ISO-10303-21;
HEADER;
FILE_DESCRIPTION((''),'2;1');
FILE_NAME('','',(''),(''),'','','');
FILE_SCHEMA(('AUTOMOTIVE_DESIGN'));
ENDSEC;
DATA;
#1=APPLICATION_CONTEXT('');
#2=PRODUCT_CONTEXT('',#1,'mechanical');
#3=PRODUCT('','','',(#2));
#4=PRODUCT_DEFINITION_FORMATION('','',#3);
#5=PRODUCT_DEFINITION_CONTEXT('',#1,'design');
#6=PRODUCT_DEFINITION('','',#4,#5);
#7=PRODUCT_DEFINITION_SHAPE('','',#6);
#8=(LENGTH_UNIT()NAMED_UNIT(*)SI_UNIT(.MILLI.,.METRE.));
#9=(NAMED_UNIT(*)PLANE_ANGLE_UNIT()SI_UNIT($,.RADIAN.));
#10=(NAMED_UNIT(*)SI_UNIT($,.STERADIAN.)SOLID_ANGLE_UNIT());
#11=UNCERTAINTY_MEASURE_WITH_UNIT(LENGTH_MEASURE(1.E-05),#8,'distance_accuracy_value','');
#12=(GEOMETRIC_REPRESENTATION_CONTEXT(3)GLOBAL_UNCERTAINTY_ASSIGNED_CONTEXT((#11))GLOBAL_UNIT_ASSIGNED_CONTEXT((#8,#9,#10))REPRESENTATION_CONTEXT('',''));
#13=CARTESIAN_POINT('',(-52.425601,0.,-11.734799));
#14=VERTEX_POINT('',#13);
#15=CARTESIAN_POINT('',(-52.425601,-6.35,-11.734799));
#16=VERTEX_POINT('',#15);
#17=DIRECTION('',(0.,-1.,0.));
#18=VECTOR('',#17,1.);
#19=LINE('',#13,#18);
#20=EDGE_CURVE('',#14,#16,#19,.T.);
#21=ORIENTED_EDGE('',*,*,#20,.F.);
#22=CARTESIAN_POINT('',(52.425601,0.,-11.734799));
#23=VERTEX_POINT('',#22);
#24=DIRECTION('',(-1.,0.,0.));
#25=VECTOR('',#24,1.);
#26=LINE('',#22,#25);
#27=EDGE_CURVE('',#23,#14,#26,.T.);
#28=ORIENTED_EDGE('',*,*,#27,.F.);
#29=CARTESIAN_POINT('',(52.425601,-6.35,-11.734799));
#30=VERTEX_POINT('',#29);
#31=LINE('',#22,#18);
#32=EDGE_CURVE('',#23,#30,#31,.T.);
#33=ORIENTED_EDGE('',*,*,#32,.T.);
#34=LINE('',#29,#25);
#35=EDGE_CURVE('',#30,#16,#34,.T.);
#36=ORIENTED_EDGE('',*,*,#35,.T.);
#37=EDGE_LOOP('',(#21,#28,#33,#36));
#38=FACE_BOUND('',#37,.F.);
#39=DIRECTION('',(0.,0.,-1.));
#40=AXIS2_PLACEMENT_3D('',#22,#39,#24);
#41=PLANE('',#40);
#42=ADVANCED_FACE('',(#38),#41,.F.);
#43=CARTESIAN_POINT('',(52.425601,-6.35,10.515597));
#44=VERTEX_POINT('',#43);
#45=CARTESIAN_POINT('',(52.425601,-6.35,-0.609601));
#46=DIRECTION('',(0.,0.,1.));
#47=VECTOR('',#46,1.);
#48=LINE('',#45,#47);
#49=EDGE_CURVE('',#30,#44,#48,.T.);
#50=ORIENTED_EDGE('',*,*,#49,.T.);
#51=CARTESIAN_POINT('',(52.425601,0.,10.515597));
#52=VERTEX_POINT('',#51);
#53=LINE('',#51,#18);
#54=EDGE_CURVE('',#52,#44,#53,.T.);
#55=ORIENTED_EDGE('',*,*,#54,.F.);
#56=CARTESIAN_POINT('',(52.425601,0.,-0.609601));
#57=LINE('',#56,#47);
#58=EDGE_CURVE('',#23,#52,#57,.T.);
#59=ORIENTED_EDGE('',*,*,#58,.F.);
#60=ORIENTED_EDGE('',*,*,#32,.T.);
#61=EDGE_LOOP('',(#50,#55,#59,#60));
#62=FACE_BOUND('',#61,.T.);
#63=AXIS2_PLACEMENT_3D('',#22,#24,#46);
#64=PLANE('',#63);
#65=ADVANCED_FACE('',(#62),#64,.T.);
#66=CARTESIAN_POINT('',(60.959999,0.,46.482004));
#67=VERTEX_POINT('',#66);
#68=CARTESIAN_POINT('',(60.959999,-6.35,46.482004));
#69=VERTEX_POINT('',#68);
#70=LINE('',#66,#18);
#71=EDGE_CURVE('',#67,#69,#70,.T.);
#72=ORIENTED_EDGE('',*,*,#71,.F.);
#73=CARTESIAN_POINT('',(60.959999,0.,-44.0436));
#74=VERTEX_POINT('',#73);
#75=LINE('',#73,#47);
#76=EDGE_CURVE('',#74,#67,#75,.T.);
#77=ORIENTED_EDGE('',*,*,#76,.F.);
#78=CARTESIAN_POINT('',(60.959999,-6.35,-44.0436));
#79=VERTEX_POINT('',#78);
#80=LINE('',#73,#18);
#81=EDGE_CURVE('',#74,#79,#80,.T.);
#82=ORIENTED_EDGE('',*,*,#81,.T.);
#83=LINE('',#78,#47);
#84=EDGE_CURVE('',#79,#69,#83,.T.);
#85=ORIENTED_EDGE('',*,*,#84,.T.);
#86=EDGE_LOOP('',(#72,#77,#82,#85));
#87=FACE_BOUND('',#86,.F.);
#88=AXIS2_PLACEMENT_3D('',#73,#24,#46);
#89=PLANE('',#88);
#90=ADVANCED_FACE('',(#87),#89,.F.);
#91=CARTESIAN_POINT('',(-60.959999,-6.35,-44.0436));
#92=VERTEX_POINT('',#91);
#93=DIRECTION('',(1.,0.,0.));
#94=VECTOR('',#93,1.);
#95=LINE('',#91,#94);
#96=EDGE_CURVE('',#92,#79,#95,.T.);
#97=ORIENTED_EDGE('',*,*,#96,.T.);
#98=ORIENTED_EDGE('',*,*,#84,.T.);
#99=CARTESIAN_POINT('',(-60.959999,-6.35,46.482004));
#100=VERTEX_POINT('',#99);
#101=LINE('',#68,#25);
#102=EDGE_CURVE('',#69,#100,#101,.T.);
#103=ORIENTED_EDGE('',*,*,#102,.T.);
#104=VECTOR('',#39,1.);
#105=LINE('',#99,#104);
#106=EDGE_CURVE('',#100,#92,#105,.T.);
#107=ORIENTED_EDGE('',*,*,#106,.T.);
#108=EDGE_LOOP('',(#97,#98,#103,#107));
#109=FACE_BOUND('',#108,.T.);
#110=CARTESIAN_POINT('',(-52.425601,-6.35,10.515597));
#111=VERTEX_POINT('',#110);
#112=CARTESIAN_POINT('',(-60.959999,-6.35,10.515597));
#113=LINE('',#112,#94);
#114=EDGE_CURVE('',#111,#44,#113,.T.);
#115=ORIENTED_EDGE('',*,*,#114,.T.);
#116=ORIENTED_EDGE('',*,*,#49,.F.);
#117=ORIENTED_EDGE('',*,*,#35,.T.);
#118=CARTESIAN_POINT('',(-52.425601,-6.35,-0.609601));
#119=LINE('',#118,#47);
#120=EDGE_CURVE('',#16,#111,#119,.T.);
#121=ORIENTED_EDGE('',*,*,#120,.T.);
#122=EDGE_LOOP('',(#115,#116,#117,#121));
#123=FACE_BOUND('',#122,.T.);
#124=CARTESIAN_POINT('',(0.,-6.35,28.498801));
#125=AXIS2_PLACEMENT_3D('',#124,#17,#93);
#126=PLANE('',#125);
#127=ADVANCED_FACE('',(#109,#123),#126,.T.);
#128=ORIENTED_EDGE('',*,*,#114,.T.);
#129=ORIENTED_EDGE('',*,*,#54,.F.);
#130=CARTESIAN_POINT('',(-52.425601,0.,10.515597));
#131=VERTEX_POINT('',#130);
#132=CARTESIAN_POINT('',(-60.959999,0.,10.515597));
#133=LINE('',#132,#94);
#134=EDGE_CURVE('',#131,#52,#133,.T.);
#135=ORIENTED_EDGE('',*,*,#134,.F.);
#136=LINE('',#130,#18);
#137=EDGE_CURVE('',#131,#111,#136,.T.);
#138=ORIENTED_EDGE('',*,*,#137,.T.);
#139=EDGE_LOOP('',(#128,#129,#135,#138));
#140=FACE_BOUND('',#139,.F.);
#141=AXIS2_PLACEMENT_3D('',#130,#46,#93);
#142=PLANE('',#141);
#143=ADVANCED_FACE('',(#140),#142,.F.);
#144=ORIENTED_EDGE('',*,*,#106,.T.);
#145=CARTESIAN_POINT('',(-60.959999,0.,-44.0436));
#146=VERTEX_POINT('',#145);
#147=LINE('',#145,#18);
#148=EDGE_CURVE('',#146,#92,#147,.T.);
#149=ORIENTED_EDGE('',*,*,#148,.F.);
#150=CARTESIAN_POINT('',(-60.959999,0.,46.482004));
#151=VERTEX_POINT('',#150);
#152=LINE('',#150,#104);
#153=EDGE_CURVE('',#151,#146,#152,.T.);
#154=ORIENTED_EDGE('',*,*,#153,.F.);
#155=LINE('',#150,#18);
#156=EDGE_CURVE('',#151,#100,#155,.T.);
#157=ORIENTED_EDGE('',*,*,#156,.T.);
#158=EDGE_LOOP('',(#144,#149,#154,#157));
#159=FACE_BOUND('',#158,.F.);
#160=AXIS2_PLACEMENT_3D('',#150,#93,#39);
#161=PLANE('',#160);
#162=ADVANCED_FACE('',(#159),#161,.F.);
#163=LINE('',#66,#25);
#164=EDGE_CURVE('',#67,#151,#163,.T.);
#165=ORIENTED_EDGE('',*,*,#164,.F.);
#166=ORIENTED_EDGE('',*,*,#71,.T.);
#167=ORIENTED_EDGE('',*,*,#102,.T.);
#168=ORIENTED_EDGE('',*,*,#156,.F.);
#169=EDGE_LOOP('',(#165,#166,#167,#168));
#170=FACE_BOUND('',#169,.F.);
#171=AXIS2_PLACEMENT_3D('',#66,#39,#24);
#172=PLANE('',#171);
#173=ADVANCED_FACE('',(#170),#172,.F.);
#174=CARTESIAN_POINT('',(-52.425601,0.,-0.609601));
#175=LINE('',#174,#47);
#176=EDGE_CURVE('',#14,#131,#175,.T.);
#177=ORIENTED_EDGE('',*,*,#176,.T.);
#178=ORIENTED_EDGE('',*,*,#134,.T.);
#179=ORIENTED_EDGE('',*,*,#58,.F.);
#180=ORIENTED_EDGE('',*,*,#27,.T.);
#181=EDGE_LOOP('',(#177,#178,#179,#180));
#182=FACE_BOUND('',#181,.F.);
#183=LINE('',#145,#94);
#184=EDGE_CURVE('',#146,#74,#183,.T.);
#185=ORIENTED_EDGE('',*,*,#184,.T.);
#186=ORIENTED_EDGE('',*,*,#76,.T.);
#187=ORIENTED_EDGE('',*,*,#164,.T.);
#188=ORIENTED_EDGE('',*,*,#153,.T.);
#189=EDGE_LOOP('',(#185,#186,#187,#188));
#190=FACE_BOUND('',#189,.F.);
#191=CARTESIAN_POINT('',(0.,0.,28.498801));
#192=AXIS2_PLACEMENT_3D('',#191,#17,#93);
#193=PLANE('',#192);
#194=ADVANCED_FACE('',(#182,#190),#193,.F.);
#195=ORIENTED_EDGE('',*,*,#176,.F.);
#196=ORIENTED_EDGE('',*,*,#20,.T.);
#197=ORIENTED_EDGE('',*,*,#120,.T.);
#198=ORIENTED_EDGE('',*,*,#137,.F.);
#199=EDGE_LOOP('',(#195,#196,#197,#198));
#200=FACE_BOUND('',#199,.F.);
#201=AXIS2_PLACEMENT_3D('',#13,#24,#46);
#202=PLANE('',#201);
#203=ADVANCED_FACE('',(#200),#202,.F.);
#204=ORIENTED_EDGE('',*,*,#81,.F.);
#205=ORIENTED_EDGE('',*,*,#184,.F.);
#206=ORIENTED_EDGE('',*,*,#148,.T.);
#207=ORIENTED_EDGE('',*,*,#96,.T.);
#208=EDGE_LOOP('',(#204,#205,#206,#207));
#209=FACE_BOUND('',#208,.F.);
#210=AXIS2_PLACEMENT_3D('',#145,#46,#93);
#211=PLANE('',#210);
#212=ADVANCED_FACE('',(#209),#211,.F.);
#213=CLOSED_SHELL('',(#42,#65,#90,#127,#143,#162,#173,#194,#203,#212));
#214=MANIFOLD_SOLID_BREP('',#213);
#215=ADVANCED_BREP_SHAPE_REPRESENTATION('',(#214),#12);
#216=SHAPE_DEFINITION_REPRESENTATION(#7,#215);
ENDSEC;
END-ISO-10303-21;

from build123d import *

# Parameters (mm, degrees)
F0_W     = 8.534398
F0_H     = 22.250396
F1_DEPTH = 6.35


with BuildPart() as f1:
    # F0 (on Front) → F1 (new body)
    with BuildSketch(Plane.XZ):
        Polygon((60.959999, 46.482004), (-60.959999, 46.482004), (-60.959999, 10.515597), (-52.425601, 10.515597), (52.425601, 10.515597), (60.959999, 10.515597), align=None)
        with Locations((-56.6928, -0.609601)):
            Rectangle(F0_W, F0_H)
        with Locations((56.6928, -0.609601)):
            Rectangle(F0_W, F0_H)
        Polygon((-52.425601, -11.734799), (-60.959999, -11.734799), (-60.959999, -44.0436), (60.959999, -44.0436), (60.959999, -11.734799), (52.425601, -11.734799), align=None)
    extrude(amount=F1_DEPTH)


solid = f1.part
